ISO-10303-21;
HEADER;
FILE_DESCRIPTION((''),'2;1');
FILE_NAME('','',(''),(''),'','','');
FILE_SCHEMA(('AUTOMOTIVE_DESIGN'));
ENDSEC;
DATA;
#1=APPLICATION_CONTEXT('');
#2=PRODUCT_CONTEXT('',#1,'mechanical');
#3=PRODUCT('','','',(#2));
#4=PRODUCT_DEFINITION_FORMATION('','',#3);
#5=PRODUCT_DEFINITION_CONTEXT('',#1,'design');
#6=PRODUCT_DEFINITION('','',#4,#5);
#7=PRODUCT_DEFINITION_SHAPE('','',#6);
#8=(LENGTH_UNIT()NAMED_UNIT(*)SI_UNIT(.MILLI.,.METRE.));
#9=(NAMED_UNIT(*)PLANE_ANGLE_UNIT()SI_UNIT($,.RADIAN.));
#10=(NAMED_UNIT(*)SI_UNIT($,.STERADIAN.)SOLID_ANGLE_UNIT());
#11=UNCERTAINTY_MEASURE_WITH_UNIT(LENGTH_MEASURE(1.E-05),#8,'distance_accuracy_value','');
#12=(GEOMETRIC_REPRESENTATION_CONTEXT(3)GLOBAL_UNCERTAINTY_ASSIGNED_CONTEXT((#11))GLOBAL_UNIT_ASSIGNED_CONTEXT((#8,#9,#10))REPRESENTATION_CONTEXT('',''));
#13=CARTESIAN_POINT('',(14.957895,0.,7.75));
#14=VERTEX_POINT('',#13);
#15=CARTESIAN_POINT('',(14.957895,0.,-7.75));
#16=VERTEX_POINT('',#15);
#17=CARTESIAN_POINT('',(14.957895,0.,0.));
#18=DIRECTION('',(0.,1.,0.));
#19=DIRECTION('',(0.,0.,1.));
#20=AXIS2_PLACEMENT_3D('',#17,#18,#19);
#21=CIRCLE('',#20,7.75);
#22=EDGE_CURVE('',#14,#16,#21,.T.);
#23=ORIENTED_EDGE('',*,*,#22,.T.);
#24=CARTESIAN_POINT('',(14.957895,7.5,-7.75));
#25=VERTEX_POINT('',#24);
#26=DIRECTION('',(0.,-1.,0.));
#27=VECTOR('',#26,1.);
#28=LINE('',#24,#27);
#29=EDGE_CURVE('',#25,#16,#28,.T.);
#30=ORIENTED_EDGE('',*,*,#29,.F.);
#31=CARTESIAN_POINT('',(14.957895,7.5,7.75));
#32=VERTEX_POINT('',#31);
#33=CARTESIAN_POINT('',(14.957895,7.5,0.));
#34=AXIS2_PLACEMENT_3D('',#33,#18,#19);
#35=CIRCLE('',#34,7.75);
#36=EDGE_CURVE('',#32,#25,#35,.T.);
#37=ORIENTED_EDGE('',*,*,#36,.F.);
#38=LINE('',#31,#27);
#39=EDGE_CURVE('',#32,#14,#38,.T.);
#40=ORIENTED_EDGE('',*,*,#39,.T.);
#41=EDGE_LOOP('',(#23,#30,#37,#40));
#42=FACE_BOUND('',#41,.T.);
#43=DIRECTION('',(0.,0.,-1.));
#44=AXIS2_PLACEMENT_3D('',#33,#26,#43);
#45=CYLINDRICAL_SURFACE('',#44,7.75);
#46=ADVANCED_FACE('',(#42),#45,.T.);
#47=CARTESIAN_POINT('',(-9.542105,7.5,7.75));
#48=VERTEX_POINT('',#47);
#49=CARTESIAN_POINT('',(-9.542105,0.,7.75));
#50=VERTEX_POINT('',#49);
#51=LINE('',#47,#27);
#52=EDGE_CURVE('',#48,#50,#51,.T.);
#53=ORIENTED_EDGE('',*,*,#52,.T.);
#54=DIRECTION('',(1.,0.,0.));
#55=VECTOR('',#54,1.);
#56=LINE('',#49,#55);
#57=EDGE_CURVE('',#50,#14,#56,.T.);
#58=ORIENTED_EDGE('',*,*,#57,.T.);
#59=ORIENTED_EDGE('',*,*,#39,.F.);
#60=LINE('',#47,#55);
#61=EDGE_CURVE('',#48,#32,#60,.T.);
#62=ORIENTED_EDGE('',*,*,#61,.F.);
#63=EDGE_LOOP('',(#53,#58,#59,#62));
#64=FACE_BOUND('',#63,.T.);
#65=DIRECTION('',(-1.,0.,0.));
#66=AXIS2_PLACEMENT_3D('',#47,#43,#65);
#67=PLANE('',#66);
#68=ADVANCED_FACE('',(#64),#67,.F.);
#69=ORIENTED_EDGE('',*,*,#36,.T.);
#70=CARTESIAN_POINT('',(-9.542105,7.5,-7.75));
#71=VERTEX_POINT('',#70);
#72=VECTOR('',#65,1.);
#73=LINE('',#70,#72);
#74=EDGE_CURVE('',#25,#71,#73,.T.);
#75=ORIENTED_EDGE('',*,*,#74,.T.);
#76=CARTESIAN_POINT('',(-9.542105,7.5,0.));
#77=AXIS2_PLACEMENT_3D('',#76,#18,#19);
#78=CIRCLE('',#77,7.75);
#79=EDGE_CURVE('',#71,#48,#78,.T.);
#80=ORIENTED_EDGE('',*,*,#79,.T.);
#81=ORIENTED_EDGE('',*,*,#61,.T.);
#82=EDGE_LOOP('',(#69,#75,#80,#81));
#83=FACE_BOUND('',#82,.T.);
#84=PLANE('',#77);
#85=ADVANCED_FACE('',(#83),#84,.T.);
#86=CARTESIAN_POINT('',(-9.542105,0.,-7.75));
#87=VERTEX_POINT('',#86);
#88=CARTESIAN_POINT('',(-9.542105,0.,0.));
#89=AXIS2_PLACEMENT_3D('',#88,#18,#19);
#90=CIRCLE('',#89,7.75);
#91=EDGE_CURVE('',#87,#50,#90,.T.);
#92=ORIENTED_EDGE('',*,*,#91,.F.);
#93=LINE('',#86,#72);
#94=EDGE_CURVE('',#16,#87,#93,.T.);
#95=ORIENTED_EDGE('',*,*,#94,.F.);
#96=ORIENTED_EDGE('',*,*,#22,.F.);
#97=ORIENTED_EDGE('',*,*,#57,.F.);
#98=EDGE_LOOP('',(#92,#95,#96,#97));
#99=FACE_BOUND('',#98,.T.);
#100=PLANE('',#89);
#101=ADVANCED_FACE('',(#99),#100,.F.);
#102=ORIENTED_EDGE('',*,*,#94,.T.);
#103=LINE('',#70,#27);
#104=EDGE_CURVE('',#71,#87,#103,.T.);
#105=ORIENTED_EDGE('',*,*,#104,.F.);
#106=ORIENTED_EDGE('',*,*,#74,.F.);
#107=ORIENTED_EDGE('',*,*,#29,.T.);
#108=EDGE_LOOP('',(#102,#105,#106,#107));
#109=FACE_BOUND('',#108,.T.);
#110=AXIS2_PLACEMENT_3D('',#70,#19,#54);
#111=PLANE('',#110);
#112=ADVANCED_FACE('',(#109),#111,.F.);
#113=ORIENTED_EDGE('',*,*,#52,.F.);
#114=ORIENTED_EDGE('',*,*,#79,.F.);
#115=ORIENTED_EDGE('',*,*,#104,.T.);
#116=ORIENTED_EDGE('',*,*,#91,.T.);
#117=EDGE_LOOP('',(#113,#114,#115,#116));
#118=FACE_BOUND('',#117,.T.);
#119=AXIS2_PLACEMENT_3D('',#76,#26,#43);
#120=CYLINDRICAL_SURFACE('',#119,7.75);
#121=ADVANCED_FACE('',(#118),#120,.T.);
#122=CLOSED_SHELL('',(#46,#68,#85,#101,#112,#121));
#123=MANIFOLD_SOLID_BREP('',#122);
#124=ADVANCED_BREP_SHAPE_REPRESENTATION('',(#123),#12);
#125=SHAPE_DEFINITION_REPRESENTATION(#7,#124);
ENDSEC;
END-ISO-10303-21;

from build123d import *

# Parameters (mm, degrees)
BOSS_EXTRUDE1_DEPTH = 7.5


with BuildPart() as part:
    # Sketch2 → Boss-Extrude1 (new body)
    with BuildSketch(Plane(origin=(0, 0, 0), x_dir=(1, 0, 0), z_dir=(0, 1, 0))):
        with BuildLine():
            Line((-9.542105263, 7.75), (14.957894737, 7.75))
            ThreePointArc((14.957894737, 7.75), (22.707894737, 0), (14.957894737, -7.75))
            Line((14.957894737, -7.75), (-9.542105263, -7.75))
            ThreePointArc((-9.542105263, -7.75), (-17.292105263, 0), (-9.542105263, 7.75))
        make_face()
    extrude(amount=BOSS_EXTRUDE1_DEPTH)


solid = part.part
